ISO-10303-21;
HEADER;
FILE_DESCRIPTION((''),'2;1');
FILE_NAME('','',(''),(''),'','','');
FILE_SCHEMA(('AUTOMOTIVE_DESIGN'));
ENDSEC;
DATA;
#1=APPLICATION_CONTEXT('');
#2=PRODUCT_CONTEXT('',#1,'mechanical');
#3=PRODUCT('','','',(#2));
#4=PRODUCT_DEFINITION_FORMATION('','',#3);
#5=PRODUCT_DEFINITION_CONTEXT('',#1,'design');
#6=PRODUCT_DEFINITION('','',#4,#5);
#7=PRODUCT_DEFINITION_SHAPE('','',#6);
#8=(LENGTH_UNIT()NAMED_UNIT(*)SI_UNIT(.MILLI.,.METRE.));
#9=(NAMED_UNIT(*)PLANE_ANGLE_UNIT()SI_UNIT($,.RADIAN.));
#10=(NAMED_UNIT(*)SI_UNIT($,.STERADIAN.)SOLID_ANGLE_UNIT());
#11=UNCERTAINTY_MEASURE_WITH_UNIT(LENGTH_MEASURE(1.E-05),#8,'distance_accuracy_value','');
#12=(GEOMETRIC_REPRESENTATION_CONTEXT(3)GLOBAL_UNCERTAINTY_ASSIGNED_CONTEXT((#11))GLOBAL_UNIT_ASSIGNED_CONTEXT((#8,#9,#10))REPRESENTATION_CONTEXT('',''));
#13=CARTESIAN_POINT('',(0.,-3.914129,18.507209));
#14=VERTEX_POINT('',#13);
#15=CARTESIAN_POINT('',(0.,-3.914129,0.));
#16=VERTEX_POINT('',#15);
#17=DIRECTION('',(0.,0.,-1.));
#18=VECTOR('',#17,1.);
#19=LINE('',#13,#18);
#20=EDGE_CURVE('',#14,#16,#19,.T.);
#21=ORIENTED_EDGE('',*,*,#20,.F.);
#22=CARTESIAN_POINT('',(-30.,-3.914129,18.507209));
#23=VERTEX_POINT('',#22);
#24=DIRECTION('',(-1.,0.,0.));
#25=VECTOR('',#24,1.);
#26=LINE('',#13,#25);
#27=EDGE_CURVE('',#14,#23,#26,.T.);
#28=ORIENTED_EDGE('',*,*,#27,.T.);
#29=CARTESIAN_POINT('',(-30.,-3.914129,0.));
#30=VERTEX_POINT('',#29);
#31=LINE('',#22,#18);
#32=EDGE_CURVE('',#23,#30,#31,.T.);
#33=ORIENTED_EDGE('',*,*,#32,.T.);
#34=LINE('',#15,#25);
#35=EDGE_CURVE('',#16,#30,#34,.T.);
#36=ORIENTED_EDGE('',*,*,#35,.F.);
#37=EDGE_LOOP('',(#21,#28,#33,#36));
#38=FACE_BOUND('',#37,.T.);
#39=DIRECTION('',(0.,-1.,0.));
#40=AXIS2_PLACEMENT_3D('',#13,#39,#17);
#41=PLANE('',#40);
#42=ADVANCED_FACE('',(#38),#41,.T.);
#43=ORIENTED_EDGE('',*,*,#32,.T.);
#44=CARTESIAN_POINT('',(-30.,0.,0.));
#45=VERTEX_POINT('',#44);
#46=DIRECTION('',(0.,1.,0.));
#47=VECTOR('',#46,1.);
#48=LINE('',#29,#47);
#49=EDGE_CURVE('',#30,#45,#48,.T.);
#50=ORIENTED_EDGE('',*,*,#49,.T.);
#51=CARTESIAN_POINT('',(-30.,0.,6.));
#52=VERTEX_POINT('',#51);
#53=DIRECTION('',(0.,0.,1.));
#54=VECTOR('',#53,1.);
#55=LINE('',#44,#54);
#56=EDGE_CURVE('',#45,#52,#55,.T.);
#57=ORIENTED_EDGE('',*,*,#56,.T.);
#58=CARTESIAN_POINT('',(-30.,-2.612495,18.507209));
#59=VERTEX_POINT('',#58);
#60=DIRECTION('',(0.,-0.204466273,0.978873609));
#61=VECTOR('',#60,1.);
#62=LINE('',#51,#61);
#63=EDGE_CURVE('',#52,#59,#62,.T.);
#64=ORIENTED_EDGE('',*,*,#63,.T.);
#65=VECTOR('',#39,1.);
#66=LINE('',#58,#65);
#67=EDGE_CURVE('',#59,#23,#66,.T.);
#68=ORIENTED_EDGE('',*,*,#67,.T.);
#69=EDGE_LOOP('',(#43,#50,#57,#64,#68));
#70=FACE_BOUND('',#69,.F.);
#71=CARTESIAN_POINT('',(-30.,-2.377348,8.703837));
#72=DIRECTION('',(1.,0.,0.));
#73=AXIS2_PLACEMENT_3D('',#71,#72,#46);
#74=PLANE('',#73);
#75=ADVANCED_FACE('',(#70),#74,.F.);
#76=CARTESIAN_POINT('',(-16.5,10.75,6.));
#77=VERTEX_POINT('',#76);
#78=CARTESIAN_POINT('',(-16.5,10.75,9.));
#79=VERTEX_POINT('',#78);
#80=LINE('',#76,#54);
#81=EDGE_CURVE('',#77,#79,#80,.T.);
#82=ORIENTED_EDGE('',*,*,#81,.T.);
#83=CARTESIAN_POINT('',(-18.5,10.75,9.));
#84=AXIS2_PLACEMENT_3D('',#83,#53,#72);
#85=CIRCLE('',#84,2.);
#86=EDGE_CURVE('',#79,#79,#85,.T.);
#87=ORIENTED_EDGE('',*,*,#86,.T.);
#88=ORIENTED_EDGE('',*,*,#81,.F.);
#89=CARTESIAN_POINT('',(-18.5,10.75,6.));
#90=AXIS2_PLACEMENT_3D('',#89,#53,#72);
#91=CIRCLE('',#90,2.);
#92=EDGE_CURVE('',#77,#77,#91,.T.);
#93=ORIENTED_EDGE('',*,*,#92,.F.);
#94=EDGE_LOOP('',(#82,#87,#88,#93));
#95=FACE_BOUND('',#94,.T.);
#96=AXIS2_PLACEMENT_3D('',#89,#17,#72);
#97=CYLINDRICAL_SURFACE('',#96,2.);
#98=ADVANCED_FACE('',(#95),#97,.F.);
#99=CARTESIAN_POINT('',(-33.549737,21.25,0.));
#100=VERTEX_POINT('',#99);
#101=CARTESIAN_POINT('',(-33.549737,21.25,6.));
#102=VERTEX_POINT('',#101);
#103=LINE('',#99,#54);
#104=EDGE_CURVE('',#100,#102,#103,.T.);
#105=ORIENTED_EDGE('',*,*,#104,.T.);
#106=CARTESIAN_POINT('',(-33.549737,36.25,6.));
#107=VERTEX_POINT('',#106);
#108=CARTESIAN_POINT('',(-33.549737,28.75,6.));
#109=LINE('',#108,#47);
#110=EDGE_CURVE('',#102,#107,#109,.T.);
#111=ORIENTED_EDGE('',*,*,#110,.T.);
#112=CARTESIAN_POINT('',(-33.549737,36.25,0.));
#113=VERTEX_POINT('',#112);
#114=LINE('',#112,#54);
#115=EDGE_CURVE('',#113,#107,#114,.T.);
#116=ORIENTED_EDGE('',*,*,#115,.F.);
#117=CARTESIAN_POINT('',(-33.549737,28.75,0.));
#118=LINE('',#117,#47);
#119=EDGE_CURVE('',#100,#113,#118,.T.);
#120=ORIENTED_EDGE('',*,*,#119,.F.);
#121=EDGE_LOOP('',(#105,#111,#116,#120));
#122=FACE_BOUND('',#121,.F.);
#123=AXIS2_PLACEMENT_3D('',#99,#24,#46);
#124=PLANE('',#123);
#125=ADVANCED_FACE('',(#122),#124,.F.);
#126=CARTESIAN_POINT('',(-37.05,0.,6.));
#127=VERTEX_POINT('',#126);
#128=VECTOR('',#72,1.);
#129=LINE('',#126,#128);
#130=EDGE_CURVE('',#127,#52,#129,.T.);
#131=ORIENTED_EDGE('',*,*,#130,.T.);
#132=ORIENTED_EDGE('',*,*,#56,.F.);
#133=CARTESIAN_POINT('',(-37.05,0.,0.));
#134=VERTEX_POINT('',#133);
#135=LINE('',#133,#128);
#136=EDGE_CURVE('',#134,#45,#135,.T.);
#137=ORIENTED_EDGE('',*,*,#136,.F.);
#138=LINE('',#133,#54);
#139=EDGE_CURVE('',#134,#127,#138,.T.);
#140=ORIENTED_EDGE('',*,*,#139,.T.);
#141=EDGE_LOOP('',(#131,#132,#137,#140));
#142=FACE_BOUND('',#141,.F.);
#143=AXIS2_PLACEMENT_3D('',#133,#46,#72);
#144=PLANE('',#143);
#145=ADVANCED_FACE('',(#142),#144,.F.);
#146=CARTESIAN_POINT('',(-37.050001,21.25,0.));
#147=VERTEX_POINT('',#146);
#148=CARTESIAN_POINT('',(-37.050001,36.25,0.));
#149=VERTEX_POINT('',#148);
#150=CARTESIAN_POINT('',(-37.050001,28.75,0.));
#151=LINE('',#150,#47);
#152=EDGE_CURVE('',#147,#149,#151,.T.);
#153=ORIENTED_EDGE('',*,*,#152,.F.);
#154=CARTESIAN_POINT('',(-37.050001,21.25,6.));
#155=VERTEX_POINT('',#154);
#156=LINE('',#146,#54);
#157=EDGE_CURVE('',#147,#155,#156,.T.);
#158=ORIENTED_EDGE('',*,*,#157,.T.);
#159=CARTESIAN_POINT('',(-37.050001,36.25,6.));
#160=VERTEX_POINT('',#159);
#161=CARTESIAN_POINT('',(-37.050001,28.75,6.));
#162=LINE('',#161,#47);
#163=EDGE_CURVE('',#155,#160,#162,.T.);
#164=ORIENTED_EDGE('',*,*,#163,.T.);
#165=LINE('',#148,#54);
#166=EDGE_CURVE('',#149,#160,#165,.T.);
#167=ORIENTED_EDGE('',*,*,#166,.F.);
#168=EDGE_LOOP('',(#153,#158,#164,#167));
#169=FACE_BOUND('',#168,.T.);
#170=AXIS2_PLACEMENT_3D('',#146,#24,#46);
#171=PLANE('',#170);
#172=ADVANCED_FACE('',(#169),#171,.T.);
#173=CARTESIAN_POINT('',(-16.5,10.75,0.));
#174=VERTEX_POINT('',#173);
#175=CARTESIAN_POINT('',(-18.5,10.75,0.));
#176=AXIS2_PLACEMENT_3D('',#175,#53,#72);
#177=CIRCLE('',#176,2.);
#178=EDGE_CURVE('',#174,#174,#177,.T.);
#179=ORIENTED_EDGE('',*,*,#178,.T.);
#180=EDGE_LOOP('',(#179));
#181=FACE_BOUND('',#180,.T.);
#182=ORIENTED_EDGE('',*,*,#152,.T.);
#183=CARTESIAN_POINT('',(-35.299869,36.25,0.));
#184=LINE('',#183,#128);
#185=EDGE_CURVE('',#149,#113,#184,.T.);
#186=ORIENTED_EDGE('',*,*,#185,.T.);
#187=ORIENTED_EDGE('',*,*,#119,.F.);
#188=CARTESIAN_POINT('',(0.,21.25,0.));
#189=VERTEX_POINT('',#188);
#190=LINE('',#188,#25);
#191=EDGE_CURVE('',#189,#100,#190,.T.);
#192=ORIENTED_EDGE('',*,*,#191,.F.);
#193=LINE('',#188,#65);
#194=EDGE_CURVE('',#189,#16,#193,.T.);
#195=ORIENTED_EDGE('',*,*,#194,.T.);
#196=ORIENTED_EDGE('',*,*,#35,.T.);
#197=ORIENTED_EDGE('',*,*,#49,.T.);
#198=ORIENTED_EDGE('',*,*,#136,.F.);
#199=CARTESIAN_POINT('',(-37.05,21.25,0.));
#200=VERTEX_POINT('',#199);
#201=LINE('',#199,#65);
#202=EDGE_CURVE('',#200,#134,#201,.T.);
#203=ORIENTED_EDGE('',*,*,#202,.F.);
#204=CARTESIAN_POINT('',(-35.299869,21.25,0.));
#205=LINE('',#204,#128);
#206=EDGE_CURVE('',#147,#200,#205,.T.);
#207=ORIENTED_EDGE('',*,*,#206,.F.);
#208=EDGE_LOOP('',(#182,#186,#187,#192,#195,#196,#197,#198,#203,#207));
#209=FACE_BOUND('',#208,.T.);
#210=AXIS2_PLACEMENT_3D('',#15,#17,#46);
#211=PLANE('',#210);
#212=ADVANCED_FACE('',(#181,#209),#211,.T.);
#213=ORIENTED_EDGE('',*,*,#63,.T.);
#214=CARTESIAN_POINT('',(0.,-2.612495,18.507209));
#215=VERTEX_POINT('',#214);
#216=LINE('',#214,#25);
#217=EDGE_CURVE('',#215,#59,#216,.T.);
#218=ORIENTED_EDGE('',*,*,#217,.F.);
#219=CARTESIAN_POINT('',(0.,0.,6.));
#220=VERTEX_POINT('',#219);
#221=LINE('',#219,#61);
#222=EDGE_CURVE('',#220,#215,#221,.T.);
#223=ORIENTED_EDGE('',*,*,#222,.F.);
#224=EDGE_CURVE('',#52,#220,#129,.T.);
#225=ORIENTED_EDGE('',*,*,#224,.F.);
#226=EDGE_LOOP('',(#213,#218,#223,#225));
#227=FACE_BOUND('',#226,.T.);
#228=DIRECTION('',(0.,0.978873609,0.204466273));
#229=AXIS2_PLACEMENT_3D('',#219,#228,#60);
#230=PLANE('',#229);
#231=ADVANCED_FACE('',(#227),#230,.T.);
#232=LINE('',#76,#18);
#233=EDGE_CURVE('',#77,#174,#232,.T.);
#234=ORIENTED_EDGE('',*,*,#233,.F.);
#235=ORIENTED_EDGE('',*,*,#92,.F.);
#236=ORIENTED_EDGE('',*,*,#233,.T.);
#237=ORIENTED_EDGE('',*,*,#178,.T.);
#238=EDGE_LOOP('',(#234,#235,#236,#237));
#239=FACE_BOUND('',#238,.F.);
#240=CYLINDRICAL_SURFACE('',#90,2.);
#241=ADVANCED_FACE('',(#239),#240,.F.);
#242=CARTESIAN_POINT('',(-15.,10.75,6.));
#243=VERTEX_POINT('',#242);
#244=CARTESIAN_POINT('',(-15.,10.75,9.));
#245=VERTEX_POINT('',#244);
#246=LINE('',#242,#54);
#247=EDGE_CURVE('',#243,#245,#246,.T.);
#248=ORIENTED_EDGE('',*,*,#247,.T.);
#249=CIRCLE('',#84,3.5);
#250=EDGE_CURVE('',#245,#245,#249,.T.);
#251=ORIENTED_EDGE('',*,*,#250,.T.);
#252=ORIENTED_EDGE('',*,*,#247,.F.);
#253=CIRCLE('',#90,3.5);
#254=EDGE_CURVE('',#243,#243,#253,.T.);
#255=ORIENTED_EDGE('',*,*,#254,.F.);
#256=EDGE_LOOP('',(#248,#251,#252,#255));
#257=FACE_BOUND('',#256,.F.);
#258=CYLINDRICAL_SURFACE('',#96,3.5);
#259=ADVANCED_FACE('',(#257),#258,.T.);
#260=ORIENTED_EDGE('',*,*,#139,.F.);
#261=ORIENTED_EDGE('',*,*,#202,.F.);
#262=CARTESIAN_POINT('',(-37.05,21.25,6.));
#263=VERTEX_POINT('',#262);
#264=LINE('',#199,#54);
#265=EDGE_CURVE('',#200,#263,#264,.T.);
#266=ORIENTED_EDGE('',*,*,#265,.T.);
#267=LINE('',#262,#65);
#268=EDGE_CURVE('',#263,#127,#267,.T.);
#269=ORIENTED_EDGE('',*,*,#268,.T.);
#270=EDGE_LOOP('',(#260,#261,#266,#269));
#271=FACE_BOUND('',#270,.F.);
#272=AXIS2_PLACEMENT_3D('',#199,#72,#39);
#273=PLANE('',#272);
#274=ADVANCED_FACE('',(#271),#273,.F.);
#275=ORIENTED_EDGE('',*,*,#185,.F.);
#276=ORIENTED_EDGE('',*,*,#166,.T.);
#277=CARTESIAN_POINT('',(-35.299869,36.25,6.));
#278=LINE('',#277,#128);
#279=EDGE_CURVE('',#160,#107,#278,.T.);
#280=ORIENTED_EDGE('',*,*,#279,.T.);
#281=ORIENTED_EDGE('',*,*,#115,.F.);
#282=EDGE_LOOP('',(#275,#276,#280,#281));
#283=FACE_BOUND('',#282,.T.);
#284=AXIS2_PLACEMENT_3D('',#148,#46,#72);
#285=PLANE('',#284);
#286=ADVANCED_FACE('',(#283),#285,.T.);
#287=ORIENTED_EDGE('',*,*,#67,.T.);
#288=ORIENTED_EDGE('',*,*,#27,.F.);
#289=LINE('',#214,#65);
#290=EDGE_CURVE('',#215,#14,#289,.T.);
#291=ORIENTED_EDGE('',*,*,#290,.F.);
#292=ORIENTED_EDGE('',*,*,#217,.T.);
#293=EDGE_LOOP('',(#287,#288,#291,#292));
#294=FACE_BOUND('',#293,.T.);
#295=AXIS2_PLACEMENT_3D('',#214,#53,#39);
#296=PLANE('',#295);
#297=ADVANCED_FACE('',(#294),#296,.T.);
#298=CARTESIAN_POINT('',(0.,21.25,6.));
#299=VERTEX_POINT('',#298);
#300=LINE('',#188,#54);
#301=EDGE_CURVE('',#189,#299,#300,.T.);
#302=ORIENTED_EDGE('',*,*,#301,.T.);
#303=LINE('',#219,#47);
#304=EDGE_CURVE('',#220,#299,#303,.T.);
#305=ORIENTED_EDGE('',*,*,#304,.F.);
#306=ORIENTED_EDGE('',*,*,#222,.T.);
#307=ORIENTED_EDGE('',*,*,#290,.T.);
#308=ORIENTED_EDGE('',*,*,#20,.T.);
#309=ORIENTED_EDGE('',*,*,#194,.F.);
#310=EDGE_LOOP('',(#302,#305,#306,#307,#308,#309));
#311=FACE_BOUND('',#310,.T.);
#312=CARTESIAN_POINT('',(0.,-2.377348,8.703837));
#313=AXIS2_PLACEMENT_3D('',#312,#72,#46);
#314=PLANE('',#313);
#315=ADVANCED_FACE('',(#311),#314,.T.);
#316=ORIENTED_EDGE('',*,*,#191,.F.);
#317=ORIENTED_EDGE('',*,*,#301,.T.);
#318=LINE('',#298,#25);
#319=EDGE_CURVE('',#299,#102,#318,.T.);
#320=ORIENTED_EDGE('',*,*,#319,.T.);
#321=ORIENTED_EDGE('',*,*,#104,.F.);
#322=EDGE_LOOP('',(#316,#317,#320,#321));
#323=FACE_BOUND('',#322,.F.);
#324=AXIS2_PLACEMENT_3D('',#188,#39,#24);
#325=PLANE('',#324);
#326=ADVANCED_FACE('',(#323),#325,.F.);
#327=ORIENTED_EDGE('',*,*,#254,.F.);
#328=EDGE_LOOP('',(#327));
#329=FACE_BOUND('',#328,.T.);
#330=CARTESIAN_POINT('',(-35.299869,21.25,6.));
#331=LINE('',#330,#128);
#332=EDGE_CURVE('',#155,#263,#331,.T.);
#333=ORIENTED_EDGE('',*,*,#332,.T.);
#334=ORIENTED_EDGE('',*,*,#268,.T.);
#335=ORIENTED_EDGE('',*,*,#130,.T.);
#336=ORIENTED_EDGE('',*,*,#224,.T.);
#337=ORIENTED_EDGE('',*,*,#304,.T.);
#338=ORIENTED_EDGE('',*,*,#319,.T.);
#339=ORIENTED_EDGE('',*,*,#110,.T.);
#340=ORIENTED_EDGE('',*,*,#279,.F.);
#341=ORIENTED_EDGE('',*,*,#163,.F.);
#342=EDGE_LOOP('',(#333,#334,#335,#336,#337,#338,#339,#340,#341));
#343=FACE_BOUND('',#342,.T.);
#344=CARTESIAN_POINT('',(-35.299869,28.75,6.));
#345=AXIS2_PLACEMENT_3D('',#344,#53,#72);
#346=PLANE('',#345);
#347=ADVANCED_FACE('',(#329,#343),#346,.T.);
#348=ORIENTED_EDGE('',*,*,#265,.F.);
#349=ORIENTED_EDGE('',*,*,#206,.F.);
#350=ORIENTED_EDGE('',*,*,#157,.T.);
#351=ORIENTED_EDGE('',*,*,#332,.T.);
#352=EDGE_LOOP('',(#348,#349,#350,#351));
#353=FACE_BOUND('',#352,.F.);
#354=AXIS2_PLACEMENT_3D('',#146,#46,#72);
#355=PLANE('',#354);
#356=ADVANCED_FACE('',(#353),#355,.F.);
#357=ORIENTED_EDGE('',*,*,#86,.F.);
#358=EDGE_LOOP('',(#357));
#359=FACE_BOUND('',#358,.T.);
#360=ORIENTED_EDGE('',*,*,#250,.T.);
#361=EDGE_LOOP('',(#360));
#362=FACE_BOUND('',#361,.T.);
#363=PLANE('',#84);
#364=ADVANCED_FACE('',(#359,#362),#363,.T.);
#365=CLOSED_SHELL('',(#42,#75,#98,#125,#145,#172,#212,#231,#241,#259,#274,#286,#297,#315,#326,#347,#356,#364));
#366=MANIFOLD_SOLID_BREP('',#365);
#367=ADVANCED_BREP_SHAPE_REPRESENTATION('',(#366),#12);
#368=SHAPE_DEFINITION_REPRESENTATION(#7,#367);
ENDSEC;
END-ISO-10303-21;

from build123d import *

# Parameters (mm, degrees)
F0_W      = 3.500263
F0_H      = 15
F1_DEPTH  = 6
F2_R      = 3.5
F2_R_2    = 2
F3_DEPTH  = 3
F3_FACE_R = 2
F4_DEPTH  = 25
F6_DEPTH  = 30


with BuildPart() as f1:
    # F0 (on Top) → F1 (new body)
    with BuildSketch(Plane.XY):
        with Locations((-35.299869, 28.75)):
            Rectangle(F0_W, F0_H)
        Polygon((-37.05, 0), (0, 0), (0, 21.25), (-33.549737, 21.25), (-37.05, 21.25), align=None)
    extrude(amount=F1_DEPTH)

    # F2 (on face) → F3 (join)
    with BuildSketch(Plane.XY.offset(6)):
        with Locations((-18.5, 10.75)):
            Circle(F2_R)
        with Locations((-18.5, 10.75)):
            Circle(F2_R_2, mode=Mode.SUBTRACT)
    extrude(amount=F3_DEPTH)

    # F3_face (on face) → F4 (cut)
    with BuildSketch(Plane(origin=(-18.5, 10.75, 6), x_dir=(1, 0, 0), z_dir=(0, 0, 1))):
        Circle(F3_FACE_R)
    extrude(amount=-F4_DEPTH, mode=Mode.SUBTRACT)

    # F5 (on face) → F6 (join)
    with BuildSketch(Plane.YZ):
        Polygon((-3.914129, 0), (0, 0), (0, 6), (-2.612495, 18.507209), (-3.914129, 18.507209), align=None)
    extrude(amount=-F6_DEPTH)


solid = f1.part
